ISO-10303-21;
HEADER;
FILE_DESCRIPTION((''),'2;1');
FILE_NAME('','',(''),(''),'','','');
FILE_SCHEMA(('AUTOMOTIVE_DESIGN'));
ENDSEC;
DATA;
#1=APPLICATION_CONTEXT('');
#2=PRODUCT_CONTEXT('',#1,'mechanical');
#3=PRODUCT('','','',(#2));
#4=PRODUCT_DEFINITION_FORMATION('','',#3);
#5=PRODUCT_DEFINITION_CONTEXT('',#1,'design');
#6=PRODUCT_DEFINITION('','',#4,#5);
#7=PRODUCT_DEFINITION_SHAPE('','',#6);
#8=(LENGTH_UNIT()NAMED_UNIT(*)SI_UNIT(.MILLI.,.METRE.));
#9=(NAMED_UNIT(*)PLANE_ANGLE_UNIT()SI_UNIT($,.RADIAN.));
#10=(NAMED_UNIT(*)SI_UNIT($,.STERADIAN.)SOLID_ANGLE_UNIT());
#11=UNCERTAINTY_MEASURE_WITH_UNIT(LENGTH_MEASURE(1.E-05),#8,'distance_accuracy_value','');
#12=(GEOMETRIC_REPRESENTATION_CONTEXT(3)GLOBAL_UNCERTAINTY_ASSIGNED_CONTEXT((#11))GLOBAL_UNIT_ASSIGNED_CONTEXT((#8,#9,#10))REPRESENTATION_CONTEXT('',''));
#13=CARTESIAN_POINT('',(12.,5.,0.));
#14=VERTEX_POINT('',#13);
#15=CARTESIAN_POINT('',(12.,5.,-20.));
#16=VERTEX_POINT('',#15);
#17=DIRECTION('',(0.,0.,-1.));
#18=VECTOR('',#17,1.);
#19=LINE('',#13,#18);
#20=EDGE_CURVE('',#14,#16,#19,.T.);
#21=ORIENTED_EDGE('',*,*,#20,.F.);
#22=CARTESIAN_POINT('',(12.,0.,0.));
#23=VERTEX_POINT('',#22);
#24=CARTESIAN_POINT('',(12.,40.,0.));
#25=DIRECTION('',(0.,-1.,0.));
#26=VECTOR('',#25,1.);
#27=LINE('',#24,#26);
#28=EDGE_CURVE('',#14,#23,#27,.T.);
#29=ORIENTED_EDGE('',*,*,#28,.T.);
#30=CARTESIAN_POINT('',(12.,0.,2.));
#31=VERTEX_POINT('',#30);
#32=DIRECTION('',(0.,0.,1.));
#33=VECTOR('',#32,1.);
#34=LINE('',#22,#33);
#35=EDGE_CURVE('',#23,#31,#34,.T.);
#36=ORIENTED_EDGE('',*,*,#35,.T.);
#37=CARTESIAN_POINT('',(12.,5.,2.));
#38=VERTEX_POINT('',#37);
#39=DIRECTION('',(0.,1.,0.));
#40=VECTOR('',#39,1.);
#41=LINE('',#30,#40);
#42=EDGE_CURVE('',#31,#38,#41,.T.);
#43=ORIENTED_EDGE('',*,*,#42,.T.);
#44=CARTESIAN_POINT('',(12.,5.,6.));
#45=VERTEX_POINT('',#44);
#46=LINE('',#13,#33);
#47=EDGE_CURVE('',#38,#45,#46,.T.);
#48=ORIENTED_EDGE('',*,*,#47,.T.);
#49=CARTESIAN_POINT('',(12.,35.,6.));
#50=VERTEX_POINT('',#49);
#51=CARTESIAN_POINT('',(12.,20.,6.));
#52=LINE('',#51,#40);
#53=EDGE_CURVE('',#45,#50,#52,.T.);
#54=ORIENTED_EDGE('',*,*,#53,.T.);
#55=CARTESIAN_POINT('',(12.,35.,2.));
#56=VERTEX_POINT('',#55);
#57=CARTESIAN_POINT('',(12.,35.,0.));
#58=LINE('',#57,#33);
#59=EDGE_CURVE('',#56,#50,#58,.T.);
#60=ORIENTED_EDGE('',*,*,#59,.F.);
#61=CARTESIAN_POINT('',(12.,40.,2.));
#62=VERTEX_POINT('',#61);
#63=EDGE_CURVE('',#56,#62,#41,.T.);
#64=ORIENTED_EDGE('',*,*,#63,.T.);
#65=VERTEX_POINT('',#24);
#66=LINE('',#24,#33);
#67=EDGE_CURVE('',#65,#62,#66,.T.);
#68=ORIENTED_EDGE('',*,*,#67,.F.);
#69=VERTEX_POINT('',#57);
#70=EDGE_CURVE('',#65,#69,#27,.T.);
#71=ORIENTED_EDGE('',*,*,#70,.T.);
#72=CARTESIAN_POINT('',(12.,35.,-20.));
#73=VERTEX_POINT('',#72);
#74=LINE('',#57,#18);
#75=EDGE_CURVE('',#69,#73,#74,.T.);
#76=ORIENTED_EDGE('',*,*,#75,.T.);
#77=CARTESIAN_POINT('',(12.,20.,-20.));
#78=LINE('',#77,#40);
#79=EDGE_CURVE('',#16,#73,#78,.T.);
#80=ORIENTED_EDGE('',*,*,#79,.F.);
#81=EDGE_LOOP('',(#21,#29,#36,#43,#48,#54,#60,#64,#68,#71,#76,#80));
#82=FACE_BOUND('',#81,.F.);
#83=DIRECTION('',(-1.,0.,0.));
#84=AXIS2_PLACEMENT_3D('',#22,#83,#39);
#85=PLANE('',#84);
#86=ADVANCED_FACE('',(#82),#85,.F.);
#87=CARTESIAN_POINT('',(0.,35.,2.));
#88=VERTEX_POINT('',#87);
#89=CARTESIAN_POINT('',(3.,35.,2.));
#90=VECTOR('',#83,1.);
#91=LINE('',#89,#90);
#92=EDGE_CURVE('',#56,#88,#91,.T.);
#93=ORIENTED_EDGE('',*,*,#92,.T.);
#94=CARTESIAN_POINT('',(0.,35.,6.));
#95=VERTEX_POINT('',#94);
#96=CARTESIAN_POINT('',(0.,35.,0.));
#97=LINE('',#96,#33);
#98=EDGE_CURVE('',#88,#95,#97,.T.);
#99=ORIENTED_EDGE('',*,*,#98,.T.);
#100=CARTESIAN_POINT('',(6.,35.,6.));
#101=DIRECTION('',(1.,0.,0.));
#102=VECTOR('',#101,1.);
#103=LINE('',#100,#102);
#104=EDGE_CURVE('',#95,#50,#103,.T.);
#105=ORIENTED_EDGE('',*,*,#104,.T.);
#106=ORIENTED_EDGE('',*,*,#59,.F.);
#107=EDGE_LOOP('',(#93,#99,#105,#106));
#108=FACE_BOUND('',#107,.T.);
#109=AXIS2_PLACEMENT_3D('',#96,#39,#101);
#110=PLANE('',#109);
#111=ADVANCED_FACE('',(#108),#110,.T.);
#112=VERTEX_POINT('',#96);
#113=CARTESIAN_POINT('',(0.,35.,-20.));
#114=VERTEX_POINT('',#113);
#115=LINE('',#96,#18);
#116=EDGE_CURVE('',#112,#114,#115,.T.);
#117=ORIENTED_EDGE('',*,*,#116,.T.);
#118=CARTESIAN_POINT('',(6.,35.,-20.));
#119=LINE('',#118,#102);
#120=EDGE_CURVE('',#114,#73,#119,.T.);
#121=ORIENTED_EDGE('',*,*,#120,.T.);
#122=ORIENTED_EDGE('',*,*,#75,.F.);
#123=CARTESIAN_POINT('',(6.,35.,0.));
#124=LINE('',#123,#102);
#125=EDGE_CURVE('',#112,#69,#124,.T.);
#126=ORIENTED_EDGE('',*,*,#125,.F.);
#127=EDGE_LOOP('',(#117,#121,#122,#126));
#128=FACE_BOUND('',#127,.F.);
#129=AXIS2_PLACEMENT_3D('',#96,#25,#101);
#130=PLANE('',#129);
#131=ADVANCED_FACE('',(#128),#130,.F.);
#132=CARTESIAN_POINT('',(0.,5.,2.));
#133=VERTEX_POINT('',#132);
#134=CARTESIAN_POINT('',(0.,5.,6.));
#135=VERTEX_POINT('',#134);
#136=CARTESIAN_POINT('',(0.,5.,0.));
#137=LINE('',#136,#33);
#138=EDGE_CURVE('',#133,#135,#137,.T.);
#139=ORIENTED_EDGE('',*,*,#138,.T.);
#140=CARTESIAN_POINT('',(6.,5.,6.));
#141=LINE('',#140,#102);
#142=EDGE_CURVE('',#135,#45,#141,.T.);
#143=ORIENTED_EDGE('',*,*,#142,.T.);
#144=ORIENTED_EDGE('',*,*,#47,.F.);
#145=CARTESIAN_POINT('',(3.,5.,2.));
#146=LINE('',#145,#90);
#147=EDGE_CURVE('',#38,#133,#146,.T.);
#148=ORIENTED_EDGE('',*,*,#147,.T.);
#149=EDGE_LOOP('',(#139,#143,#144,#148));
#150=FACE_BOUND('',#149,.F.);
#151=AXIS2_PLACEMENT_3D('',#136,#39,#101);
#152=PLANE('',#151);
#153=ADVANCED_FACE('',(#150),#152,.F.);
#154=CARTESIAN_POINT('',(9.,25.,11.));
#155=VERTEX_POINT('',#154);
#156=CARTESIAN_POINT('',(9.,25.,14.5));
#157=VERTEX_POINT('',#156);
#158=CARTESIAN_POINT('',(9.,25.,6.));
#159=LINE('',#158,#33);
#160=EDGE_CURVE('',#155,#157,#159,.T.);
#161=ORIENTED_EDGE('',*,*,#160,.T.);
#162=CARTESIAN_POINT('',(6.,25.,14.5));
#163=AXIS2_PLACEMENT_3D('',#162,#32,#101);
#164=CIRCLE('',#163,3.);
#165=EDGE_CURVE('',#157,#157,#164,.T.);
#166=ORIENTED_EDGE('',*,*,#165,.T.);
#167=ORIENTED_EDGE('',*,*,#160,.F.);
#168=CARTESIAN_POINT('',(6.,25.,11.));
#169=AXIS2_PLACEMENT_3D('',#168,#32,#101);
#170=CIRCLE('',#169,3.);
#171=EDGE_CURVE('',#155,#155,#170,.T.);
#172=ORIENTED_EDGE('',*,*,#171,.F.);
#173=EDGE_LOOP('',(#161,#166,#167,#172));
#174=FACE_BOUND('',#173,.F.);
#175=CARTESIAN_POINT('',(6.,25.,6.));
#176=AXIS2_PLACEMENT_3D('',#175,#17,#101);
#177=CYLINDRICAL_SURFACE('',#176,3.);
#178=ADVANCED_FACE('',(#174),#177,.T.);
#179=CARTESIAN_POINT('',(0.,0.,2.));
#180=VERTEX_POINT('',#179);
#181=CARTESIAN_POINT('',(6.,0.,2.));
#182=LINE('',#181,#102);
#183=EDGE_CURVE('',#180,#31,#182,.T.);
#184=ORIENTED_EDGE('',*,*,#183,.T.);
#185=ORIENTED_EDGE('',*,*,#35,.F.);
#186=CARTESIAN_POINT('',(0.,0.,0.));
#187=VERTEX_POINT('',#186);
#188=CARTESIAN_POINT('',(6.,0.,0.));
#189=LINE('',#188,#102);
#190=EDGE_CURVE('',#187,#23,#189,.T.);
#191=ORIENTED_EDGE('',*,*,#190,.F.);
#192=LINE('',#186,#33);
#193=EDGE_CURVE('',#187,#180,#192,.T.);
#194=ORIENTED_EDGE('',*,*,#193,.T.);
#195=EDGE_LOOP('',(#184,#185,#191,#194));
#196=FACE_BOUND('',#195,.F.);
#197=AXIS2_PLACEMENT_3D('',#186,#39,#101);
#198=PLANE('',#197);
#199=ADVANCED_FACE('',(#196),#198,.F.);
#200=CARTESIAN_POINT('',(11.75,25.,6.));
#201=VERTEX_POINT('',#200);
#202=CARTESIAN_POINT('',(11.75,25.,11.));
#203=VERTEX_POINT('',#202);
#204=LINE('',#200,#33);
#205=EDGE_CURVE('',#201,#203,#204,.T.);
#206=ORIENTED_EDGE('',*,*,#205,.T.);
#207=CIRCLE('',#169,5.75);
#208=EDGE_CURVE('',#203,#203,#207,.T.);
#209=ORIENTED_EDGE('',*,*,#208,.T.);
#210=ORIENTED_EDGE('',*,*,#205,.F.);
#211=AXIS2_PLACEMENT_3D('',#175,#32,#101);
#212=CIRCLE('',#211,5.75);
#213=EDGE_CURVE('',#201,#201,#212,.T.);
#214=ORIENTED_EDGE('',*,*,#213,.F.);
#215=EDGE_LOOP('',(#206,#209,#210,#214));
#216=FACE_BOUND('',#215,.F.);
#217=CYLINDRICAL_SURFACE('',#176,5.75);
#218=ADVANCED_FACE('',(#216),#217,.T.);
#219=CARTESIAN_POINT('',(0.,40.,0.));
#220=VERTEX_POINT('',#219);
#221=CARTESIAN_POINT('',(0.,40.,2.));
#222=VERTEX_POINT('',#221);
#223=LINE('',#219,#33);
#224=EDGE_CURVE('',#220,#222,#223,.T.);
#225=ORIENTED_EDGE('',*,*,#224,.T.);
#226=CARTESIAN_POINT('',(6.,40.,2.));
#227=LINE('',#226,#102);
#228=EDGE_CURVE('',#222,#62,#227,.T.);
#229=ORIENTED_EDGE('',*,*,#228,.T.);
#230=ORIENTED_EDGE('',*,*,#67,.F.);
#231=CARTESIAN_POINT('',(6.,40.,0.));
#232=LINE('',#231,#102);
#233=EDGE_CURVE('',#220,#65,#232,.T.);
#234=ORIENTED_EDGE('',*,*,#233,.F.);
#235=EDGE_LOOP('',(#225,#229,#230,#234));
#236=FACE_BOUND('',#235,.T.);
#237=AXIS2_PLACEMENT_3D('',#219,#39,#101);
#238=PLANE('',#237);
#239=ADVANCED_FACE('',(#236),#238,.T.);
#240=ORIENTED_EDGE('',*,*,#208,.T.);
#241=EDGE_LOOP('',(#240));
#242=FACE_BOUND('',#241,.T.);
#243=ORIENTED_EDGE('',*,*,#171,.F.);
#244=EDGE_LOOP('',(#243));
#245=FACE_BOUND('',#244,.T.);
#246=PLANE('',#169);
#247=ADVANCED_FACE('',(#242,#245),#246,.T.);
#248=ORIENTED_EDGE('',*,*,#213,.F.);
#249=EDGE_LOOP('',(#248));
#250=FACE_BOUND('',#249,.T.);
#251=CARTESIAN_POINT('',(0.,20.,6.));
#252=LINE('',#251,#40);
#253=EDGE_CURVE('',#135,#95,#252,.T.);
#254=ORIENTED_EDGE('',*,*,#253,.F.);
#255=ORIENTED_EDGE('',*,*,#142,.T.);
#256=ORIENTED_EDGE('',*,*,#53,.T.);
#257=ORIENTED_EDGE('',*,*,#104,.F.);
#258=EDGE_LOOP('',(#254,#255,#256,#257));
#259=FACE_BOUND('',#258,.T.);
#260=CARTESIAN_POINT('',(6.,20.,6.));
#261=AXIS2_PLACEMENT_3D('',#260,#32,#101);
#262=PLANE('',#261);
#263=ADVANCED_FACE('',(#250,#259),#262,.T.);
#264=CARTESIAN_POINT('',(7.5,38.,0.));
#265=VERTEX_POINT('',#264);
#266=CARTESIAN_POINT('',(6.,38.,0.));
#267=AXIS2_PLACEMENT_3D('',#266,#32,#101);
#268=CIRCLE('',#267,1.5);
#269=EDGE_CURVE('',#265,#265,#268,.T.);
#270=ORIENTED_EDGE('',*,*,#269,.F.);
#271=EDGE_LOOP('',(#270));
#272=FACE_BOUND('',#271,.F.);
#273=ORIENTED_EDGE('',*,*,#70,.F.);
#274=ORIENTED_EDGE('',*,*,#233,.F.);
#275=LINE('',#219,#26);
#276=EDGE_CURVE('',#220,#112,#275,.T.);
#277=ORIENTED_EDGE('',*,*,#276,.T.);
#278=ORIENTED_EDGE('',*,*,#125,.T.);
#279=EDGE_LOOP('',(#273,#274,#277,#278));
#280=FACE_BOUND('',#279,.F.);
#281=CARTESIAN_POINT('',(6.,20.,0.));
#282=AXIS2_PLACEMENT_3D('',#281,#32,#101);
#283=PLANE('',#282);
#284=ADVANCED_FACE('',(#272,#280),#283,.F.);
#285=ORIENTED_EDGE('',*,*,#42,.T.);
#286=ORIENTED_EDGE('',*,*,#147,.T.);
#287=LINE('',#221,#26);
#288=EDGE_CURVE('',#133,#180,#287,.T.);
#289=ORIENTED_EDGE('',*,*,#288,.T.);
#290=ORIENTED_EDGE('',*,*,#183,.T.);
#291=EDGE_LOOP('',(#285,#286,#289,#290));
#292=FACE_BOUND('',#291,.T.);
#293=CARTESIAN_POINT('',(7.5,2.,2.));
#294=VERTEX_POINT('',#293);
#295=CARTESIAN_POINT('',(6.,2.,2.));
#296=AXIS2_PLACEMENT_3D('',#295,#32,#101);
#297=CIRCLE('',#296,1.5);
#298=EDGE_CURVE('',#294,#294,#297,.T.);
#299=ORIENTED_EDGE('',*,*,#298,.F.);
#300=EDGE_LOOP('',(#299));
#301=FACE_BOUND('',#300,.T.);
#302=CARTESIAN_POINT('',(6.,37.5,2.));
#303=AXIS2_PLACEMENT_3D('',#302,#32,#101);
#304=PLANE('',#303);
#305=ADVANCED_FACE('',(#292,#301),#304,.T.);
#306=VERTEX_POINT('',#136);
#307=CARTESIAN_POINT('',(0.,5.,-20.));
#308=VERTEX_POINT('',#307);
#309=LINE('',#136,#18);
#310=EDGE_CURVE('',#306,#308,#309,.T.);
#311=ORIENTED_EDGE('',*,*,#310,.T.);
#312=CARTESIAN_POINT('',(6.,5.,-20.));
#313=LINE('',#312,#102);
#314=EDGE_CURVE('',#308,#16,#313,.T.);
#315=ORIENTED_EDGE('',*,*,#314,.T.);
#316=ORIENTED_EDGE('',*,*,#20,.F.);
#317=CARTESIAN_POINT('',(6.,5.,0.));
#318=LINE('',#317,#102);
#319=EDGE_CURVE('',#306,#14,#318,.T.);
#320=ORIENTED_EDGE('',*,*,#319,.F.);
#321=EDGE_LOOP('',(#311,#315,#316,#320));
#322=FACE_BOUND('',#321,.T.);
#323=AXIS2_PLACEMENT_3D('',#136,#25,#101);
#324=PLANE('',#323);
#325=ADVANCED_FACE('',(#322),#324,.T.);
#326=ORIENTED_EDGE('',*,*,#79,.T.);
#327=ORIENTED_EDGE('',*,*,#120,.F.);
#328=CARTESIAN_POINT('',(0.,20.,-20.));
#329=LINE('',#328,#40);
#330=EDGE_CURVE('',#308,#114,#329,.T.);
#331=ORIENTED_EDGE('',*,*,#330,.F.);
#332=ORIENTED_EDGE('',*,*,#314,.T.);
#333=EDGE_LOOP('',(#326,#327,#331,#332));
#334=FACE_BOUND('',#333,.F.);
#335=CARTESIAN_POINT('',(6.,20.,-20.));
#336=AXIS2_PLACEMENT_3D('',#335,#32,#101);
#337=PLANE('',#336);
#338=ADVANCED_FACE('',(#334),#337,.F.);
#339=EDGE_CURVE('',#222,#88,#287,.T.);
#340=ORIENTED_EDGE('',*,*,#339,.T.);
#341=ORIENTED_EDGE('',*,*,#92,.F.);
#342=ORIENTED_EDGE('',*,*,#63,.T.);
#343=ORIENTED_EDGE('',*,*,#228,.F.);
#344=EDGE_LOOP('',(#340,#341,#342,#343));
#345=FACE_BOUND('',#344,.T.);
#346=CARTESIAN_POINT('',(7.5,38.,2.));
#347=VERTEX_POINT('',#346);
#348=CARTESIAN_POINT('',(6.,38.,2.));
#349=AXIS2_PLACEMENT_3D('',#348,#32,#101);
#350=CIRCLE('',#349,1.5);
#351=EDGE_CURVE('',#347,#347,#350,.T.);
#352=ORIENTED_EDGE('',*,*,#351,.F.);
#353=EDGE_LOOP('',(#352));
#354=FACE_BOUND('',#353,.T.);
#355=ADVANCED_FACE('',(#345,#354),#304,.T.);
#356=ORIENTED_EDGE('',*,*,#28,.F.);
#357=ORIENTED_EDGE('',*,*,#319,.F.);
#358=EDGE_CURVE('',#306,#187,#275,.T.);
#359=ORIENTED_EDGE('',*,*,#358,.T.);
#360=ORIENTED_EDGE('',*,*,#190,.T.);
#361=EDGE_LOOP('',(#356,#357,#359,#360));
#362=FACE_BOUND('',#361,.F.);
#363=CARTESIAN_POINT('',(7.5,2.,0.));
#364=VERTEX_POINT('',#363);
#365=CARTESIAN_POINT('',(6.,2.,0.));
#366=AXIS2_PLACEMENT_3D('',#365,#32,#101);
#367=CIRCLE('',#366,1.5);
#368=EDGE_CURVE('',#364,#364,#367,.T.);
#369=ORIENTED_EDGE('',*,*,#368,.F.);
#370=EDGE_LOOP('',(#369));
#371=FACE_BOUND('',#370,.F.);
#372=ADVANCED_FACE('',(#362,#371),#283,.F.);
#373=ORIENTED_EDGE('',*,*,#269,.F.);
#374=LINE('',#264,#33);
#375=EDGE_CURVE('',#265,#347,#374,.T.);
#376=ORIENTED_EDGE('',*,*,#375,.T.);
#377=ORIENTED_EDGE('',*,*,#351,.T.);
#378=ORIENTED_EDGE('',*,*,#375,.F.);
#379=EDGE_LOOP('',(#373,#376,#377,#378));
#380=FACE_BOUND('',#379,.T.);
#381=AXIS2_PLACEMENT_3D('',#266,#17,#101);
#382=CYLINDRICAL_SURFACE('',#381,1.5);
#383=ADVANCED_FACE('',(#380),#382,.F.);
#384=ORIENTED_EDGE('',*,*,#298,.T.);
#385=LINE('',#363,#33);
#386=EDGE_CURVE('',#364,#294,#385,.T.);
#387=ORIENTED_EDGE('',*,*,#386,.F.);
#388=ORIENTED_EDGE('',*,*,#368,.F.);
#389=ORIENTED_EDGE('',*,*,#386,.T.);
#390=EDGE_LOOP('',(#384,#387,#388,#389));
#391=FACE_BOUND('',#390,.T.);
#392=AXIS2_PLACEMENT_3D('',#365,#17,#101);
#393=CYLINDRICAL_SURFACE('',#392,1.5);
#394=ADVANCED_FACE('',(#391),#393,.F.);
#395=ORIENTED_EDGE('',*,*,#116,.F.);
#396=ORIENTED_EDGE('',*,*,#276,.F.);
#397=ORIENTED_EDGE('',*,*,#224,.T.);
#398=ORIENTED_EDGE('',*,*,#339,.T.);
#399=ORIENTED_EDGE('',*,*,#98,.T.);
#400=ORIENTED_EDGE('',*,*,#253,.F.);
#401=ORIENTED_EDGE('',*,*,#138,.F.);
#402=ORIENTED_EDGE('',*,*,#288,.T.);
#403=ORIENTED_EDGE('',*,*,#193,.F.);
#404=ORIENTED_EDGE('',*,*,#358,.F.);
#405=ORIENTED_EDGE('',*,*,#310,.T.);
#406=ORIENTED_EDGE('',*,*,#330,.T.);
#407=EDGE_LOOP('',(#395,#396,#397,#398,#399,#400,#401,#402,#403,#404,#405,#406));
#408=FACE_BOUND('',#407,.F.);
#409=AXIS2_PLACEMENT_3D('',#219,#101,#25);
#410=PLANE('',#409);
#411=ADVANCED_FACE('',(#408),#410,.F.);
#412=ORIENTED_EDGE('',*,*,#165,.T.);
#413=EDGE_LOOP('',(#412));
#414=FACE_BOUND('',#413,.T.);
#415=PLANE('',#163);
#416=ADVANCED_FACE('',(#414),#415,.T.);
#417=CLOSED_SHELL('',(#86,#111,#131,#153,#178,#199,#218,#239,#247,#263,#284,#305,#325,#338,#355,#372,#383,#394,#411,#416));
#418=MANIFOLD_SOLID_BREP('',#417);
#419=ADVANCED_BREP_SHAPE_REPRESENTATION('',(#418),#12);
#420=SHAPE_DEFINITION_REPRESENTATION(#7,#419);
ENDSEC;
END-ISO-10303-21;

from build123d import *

# Parameters (mm, degrees)
F0_W     = 12
F0_H     = 5
F0_R     = 1.5
F0_H_2   = 30
F1_DEPTH = 2
F2_DEPTH = 6
F3_DEPTH = 20
F4_R     = 3
F5_DEPTH = 8.5
F4_R_2   = 5.75
F6_DEPTH = 5


with BuildPart() as f1:
    # F0 (on Top) → F1 (new body)
    with BuildSketch(Plane.XY):
        with Locations((6, 37.5)):
            Rectangle(F0_W, F0_H)
        with Locations((6, 38)):
            Circle(F0_R, mode=Mode.SUBTRACT)
        with Locations((6, 20)):
            Rectangle(F0_W, F0_H_2)
        with Locations((6, 2.5)):
            Rectangle(F0_W, F0_H)
        with Locations((6, 2)):
            Circle(F0_R, mode=Mode.SUBTRACT)
    extrude(amount=F1_DEPTH)

    # F0 (on Top) → F2 (join)
    with BuildSketch(Plane.XY):
        with Locations((6, 20)):
            Rectangle(F0_W, F0_H_2)
    extrude(amount=F2_DEPTH)

    # F0 (on Top) → F3 (join)
    with BuildSketch(Plane.XY):
        with Locations((6, 20)):
            Rectangle(F0_W, F0_H_2)
    extrude(amount=-F3_DEPTH)

    # F4 (on face) → F5 (join)
    with BuildSketch(Plane.XY.offset(6)):
        with Locations((6, 25)):
            Circle(F4_R)
    extrude(amount=F5_DEPTH)

    # F4 (on face) → F6 (join)
    with BuildSketch(Plane.XY.offset(6)):
        with Locations((6, 25)):
            Circle(F4_R_2)
        with Locations((6, 25)):
            Circle(F4_R, mode=Mode.SUBTRACT)
    extrude(amount=F6_DEPTH)


solid = f1.part
